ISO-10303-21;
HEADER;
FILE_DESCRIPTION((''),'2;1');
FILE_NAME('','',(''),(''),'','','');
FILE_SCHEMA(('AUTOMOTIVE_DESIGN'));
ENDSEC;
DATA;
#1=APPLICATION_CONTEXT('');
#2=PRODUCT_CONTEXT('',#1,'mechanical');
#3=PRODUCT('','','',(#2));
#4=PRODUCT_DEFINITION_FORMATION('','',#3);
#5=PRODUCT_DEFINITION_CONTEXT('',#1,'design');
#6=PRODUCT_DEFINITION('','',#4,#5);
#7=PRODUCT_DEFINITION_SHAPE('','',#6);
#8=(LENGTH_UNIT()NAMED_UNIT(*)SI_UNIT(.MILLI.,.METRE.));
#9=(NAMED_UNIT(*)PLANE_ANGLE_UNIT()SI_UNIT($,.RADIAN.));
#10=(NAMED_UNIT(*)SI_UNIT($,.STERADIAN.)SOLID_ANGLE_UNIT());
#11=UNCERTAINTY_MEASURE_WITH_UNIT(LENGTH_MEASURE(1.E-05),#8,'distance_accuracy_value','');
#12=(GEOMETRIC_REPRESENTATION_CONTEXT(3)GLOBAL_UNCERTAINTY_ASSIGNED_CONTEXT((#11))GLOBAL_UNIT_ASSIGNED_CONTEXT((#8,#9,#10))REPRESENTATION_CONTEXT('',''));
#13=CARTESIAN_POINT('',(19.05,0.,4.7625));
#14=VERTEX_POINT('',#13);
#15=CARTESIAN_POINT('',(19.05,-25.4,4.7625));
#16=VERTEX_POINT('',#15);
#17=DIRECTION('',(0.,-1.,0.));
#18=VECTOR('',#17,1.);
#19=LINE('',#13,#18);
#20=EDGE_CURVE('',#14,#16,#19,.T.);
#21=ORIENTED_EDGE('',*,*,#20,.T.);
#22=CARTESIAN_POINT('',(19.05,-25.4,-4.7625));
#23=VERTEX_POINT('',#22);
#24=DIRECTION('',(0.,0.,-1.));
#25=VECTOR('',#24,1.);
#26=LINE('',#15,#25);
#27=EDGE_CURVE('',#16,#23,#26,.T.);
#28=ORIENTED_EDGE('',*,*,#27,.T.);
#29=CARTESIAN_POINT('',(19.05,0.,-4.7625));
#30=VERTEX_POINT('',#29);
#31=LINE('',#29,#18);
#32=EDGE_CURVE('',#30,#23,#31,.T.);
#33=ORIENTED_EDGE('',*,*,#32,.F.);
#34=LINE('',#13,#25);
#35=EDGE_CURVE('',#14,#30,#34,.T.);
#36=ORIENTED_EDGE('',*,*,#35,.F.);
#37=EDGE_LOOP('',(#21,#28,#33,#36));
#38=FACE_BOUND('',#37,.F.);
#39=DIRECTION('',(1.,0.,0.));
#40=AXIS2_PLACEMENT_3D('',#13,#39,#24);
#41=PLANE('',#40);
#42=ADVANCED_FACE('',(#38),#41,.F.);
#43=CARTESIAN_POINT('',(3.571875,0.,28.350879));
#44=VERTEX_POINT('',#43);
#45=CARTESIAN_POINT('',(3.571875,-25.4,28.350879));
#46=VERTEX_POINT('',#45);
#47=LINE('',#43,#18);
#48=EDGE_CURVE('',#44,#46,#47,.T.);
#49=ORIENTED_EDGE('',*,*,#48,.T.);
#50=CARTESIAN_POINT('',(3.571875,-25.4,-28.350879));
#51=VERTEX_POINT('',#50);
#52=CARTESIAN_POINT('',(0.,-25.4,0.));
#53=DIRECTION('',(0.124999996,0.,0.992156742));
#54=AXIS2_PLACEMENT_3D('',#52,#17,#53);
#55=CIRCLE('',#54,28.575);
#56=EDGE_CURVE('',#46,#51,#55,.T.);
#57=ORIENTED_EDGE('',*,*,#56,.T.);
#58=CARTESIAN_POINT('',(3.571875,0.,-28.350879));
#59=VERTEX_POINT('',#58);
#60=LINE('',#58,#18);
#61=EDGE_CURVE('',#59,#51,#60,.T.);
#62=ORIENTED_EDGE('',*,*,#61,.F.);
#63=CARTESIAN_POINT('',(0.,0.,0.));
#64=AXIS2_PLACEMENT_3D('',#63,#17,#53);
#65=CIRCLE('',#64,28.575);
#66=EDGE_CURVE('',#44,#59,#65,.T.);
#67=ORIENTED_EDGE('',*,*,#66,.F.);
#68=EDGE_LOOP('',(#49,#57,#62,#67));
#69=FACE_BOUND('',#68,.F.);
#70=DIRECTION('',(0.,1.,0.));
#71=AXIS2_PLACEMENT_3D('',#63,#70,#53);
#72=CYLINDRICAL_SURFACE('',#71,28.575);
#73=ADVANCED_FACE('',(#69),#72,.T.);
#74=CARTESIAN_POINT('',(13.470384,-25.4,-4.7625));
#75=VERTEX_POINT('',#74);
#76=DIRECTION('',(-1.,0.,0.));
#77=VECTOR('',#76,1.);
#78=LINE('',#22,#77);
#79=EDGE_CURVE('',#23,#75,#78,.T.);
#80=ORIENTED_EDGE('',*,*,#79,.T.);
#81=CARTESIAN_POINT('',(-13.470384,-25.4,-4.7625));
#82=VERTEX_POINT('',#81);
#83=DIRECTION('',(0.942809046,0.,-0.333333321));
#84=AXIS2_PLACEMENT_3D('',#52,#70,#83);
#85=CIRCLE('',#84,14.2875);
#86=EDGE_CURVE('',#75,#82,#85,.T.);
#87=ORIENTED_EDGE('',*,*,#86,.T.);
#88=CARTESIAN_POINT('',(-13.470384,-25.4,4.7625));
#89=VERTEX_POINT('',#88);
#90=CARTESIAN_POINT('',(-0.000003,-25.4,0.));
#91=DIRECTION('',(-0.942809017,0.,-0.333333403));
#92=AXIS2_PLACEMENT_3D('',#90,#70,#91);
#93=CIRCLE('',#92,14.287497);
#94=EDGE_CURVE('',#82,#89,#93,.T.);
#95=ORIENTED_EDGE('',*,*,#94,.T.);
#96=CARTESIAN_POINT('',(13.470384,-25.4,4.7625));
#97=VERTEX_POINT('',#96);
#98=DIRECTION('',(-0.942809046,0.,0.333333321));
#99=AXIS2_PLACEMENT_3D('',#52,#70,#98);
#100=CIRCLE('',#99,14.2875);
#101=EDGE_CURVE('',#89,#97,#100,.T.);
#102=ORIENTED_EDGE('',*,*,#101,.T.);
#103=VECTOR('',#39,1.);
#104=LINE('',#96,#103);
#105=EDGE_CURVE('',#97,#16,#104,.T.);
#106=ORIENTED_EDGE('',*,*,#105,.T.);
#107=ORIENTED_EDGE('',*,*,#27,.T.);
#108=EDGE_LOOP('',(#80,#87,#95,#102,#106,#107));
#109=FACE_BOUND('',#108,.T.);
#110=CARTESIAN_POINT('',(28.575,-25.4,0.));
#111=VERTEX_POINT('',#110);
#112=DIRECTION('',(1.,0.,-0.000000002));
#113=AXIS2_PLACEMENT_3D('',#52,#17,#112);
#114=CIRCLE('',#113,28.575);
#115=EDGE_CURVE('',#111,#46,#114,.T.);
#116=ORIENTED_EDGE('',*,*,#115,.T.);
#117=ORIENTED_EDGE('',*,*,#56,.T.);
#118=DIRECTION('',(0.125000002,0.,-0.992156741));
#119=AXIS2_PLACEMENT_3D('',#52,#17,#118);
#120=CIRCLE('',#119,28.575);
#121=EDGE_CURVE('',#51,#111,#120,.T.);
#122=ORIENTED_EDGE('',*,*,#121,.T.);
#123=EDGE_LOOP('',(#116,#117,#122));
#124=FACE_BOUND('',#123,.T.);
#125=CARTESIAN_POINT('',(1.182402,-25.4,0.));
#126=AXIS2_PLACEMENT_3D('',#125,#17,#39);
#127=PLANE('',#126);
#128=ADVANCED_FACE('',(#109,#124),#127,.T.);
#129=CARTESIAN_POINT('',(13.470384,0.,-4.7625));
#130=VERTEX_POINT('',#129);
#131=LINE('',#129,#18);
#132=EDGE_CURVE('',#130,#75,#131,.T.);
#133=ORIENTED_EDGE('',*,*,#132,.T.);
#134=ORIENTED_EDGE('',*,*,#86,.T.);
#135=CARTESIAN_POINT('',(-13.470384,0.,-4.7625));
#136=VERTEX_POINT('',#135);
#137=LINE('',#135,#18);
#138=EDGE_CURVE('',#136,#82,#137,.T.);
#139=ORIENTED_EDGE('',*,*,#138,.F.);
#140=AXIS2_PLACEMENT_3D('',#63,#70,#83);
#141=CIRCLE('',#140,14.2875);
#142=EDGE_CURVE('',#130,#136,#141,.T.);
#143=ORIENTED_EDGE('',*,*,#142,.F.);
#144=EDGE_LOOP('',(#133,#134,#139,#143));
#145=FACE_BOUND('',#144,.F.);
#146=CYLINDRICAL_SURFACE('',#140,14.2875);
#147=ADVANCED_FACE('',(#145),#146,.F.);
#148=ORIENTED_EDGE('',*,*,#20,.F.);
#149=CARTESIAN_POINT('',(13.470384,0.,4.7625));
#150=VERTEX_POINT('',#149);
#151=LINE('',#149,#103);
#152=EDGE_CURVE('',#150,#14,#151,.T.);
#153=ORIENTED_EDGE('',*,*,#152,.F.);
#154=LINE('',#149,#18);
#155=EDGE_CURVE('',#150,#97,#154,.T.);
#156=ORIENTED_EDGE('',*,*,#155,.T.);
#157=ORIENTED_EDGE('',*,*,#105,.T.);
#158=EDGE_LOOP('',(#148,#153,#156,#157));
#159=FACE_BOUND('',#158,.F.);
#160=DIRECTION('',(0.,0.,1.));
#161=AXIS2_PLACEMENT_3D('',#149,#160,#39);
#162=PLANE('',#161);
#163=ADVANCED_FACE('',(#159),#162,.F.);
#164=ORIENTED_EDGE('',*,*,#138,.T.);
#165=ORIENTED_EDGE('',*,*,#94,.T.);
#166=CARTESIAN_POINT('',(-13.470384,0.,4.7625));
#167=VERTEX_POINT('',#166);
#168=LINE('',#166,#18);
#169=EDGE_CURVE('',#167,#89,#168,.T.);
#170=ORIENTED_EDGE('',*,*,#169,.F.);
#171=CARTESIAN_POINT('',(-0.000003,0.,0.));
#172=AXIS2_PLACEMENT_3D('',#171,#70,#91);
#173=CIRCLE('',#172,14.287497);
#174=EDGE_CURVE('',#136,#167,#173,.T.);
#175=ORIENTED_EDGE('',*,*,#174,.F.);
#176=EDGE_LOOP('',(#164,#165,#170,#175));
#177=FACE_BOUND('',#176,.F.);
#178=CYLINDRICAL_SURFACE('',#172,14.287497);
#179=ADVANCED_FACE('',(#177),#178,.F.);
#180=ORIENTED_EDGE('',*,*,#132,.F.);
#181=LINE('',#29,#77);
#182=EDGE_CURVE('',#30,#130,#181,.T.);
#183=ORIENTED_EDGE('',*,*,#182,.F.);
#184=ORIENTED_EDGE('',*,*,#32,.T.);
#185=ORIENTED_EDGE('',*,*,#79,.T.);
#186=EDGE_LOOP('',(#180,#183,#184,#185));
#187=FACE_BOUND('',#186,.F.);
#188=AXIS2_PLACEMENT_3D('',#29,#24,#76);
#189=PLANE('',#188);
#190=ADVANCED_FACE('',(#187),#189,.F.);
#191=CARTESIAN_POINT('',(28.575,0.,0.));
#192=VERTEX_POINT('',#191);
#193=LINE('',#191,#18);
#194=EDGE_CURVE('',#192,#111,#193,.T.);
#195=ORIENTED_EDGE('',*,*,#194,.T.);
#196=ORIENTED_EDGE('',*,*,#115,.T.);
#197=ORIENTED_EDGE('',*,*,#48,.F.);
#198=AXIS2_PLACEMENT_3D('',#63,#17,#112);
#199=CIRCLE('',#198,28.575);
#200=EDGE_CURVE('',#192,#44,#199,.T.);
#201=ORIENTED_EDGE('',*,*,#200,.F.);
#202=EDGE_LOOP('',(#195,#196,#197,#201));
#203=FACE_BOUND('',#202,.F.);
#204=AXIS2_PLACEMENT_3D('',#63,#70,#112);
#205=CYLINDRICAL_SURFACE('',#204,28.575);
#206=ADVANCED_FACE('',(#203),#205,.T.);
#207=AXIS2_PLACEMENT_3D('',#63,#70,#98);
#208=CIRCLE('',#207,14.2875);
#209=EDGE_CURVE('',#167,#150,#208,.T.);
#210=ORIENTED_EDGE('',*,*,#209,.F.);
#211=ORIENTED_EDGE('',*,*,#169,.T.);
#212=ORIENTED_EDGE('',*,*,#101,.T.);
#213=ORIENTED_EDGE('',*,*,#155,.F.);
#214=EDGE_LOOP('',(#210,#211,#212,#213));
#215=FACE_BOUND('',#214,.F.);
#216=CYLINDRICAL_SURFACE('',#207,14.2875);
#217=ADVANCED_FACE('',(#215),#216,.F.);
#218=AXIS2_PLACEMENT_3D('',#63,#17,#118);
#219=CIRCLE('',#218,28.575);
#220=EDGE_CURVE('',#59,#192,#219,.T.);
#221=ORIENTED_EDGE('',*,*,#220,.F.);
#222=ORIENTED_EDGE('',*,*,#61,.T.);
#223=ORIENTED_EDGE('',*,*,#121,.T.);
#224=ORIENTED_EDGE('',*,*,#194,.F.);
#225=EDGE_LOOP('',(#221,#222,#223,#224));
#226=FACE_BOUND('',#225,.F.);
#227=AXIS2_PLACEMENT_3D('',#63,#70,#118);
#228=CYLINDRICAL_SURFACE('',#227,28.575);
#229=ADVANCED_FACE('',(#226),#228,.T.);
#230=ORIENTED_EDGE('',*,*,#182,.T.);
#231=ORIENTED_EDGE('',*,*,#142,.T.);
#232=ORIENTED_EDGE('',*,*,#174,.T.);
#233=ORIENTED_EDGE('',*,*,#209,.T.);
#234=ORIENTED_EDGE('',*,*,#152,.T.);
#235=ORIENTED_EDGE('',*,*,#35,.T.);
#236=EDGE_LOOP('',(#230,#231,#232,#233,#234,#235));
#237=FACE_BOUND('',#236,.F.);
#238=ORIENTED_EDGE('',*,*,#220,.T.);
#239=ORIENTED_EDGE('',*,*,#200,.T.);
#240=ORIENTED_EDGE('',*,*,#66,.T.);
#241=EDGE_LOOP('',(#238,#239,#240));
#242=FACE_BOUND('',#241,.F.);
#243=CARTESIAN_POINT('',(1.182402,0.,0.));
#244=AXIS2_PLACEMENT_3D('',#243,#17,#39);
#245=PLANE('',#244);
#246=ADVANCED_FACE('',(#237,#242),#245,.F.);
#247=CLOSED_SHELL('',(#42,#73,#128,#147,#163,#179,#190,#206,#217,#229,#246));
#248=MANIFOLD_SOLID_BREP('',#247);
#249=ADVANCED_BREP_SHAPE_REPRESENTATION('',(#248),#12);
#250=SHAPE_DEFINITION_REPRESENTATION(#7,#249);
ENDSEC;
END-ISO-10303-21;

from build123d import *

# Parameters (mm, degrees)
F1_DEPTH = 25.4


with BuildPart() as f1:
    # F0 (on Front) → F1 (new body)
    with BuildSketch(Plane.XZ):
        with BuildLine():
            ThreePointArc((3.571875, -28.350879), (21.43125, -18.900586), (28.575, 0))
            ThreePointArc((28.575, 0), (21.43125, 18.900586), (3.571875, 28.350879))
            ThreePointArc((3.571875, 28.350879), (-28.575, 0), (3.571875, -28.350879))
        make_face()
        with BuildLine():
            ThreePointArc((-13.470384, 4.7625), (0, 14.2875), (13.470384, 4.7625))
            Line((13.470384, 4.7625), (19.05, 4.7625))
            Line((19.05, 4.7625), (19.05, -4.7625))
            Line((19.05, -4.7625), (13.470384, -4.7625))
            ThreePointArc((13.470384, -4.7625), (0, -14.2875), (-13.470384, -4.7625))
            Line((-13.470384, -4.7625), (-19.05, -4.7625))
            Line((-19.05, -4.7625), (-19.05, 4.7625))
            Line((-19.05, 4.7625), (-13.470384, 4.7625))
        make_face(mode=Mode.SUBTRACT)
        with BuildLine():
            ThreePointArc((-13.470384, -4.7625), (-14.2875, 0), (-13.470384, 4.7625))
            Line((-13.470384, 4.7625), (-19.05, 4.7625))
            Line((-19.05, 4.7625), (-19.05, -4.7625))
            Line((-19.05, -4.7625), (-13.470384, -4.7625))
        make_face()
    extrude(amount=F1_DEPTH)


solid = f1.part
